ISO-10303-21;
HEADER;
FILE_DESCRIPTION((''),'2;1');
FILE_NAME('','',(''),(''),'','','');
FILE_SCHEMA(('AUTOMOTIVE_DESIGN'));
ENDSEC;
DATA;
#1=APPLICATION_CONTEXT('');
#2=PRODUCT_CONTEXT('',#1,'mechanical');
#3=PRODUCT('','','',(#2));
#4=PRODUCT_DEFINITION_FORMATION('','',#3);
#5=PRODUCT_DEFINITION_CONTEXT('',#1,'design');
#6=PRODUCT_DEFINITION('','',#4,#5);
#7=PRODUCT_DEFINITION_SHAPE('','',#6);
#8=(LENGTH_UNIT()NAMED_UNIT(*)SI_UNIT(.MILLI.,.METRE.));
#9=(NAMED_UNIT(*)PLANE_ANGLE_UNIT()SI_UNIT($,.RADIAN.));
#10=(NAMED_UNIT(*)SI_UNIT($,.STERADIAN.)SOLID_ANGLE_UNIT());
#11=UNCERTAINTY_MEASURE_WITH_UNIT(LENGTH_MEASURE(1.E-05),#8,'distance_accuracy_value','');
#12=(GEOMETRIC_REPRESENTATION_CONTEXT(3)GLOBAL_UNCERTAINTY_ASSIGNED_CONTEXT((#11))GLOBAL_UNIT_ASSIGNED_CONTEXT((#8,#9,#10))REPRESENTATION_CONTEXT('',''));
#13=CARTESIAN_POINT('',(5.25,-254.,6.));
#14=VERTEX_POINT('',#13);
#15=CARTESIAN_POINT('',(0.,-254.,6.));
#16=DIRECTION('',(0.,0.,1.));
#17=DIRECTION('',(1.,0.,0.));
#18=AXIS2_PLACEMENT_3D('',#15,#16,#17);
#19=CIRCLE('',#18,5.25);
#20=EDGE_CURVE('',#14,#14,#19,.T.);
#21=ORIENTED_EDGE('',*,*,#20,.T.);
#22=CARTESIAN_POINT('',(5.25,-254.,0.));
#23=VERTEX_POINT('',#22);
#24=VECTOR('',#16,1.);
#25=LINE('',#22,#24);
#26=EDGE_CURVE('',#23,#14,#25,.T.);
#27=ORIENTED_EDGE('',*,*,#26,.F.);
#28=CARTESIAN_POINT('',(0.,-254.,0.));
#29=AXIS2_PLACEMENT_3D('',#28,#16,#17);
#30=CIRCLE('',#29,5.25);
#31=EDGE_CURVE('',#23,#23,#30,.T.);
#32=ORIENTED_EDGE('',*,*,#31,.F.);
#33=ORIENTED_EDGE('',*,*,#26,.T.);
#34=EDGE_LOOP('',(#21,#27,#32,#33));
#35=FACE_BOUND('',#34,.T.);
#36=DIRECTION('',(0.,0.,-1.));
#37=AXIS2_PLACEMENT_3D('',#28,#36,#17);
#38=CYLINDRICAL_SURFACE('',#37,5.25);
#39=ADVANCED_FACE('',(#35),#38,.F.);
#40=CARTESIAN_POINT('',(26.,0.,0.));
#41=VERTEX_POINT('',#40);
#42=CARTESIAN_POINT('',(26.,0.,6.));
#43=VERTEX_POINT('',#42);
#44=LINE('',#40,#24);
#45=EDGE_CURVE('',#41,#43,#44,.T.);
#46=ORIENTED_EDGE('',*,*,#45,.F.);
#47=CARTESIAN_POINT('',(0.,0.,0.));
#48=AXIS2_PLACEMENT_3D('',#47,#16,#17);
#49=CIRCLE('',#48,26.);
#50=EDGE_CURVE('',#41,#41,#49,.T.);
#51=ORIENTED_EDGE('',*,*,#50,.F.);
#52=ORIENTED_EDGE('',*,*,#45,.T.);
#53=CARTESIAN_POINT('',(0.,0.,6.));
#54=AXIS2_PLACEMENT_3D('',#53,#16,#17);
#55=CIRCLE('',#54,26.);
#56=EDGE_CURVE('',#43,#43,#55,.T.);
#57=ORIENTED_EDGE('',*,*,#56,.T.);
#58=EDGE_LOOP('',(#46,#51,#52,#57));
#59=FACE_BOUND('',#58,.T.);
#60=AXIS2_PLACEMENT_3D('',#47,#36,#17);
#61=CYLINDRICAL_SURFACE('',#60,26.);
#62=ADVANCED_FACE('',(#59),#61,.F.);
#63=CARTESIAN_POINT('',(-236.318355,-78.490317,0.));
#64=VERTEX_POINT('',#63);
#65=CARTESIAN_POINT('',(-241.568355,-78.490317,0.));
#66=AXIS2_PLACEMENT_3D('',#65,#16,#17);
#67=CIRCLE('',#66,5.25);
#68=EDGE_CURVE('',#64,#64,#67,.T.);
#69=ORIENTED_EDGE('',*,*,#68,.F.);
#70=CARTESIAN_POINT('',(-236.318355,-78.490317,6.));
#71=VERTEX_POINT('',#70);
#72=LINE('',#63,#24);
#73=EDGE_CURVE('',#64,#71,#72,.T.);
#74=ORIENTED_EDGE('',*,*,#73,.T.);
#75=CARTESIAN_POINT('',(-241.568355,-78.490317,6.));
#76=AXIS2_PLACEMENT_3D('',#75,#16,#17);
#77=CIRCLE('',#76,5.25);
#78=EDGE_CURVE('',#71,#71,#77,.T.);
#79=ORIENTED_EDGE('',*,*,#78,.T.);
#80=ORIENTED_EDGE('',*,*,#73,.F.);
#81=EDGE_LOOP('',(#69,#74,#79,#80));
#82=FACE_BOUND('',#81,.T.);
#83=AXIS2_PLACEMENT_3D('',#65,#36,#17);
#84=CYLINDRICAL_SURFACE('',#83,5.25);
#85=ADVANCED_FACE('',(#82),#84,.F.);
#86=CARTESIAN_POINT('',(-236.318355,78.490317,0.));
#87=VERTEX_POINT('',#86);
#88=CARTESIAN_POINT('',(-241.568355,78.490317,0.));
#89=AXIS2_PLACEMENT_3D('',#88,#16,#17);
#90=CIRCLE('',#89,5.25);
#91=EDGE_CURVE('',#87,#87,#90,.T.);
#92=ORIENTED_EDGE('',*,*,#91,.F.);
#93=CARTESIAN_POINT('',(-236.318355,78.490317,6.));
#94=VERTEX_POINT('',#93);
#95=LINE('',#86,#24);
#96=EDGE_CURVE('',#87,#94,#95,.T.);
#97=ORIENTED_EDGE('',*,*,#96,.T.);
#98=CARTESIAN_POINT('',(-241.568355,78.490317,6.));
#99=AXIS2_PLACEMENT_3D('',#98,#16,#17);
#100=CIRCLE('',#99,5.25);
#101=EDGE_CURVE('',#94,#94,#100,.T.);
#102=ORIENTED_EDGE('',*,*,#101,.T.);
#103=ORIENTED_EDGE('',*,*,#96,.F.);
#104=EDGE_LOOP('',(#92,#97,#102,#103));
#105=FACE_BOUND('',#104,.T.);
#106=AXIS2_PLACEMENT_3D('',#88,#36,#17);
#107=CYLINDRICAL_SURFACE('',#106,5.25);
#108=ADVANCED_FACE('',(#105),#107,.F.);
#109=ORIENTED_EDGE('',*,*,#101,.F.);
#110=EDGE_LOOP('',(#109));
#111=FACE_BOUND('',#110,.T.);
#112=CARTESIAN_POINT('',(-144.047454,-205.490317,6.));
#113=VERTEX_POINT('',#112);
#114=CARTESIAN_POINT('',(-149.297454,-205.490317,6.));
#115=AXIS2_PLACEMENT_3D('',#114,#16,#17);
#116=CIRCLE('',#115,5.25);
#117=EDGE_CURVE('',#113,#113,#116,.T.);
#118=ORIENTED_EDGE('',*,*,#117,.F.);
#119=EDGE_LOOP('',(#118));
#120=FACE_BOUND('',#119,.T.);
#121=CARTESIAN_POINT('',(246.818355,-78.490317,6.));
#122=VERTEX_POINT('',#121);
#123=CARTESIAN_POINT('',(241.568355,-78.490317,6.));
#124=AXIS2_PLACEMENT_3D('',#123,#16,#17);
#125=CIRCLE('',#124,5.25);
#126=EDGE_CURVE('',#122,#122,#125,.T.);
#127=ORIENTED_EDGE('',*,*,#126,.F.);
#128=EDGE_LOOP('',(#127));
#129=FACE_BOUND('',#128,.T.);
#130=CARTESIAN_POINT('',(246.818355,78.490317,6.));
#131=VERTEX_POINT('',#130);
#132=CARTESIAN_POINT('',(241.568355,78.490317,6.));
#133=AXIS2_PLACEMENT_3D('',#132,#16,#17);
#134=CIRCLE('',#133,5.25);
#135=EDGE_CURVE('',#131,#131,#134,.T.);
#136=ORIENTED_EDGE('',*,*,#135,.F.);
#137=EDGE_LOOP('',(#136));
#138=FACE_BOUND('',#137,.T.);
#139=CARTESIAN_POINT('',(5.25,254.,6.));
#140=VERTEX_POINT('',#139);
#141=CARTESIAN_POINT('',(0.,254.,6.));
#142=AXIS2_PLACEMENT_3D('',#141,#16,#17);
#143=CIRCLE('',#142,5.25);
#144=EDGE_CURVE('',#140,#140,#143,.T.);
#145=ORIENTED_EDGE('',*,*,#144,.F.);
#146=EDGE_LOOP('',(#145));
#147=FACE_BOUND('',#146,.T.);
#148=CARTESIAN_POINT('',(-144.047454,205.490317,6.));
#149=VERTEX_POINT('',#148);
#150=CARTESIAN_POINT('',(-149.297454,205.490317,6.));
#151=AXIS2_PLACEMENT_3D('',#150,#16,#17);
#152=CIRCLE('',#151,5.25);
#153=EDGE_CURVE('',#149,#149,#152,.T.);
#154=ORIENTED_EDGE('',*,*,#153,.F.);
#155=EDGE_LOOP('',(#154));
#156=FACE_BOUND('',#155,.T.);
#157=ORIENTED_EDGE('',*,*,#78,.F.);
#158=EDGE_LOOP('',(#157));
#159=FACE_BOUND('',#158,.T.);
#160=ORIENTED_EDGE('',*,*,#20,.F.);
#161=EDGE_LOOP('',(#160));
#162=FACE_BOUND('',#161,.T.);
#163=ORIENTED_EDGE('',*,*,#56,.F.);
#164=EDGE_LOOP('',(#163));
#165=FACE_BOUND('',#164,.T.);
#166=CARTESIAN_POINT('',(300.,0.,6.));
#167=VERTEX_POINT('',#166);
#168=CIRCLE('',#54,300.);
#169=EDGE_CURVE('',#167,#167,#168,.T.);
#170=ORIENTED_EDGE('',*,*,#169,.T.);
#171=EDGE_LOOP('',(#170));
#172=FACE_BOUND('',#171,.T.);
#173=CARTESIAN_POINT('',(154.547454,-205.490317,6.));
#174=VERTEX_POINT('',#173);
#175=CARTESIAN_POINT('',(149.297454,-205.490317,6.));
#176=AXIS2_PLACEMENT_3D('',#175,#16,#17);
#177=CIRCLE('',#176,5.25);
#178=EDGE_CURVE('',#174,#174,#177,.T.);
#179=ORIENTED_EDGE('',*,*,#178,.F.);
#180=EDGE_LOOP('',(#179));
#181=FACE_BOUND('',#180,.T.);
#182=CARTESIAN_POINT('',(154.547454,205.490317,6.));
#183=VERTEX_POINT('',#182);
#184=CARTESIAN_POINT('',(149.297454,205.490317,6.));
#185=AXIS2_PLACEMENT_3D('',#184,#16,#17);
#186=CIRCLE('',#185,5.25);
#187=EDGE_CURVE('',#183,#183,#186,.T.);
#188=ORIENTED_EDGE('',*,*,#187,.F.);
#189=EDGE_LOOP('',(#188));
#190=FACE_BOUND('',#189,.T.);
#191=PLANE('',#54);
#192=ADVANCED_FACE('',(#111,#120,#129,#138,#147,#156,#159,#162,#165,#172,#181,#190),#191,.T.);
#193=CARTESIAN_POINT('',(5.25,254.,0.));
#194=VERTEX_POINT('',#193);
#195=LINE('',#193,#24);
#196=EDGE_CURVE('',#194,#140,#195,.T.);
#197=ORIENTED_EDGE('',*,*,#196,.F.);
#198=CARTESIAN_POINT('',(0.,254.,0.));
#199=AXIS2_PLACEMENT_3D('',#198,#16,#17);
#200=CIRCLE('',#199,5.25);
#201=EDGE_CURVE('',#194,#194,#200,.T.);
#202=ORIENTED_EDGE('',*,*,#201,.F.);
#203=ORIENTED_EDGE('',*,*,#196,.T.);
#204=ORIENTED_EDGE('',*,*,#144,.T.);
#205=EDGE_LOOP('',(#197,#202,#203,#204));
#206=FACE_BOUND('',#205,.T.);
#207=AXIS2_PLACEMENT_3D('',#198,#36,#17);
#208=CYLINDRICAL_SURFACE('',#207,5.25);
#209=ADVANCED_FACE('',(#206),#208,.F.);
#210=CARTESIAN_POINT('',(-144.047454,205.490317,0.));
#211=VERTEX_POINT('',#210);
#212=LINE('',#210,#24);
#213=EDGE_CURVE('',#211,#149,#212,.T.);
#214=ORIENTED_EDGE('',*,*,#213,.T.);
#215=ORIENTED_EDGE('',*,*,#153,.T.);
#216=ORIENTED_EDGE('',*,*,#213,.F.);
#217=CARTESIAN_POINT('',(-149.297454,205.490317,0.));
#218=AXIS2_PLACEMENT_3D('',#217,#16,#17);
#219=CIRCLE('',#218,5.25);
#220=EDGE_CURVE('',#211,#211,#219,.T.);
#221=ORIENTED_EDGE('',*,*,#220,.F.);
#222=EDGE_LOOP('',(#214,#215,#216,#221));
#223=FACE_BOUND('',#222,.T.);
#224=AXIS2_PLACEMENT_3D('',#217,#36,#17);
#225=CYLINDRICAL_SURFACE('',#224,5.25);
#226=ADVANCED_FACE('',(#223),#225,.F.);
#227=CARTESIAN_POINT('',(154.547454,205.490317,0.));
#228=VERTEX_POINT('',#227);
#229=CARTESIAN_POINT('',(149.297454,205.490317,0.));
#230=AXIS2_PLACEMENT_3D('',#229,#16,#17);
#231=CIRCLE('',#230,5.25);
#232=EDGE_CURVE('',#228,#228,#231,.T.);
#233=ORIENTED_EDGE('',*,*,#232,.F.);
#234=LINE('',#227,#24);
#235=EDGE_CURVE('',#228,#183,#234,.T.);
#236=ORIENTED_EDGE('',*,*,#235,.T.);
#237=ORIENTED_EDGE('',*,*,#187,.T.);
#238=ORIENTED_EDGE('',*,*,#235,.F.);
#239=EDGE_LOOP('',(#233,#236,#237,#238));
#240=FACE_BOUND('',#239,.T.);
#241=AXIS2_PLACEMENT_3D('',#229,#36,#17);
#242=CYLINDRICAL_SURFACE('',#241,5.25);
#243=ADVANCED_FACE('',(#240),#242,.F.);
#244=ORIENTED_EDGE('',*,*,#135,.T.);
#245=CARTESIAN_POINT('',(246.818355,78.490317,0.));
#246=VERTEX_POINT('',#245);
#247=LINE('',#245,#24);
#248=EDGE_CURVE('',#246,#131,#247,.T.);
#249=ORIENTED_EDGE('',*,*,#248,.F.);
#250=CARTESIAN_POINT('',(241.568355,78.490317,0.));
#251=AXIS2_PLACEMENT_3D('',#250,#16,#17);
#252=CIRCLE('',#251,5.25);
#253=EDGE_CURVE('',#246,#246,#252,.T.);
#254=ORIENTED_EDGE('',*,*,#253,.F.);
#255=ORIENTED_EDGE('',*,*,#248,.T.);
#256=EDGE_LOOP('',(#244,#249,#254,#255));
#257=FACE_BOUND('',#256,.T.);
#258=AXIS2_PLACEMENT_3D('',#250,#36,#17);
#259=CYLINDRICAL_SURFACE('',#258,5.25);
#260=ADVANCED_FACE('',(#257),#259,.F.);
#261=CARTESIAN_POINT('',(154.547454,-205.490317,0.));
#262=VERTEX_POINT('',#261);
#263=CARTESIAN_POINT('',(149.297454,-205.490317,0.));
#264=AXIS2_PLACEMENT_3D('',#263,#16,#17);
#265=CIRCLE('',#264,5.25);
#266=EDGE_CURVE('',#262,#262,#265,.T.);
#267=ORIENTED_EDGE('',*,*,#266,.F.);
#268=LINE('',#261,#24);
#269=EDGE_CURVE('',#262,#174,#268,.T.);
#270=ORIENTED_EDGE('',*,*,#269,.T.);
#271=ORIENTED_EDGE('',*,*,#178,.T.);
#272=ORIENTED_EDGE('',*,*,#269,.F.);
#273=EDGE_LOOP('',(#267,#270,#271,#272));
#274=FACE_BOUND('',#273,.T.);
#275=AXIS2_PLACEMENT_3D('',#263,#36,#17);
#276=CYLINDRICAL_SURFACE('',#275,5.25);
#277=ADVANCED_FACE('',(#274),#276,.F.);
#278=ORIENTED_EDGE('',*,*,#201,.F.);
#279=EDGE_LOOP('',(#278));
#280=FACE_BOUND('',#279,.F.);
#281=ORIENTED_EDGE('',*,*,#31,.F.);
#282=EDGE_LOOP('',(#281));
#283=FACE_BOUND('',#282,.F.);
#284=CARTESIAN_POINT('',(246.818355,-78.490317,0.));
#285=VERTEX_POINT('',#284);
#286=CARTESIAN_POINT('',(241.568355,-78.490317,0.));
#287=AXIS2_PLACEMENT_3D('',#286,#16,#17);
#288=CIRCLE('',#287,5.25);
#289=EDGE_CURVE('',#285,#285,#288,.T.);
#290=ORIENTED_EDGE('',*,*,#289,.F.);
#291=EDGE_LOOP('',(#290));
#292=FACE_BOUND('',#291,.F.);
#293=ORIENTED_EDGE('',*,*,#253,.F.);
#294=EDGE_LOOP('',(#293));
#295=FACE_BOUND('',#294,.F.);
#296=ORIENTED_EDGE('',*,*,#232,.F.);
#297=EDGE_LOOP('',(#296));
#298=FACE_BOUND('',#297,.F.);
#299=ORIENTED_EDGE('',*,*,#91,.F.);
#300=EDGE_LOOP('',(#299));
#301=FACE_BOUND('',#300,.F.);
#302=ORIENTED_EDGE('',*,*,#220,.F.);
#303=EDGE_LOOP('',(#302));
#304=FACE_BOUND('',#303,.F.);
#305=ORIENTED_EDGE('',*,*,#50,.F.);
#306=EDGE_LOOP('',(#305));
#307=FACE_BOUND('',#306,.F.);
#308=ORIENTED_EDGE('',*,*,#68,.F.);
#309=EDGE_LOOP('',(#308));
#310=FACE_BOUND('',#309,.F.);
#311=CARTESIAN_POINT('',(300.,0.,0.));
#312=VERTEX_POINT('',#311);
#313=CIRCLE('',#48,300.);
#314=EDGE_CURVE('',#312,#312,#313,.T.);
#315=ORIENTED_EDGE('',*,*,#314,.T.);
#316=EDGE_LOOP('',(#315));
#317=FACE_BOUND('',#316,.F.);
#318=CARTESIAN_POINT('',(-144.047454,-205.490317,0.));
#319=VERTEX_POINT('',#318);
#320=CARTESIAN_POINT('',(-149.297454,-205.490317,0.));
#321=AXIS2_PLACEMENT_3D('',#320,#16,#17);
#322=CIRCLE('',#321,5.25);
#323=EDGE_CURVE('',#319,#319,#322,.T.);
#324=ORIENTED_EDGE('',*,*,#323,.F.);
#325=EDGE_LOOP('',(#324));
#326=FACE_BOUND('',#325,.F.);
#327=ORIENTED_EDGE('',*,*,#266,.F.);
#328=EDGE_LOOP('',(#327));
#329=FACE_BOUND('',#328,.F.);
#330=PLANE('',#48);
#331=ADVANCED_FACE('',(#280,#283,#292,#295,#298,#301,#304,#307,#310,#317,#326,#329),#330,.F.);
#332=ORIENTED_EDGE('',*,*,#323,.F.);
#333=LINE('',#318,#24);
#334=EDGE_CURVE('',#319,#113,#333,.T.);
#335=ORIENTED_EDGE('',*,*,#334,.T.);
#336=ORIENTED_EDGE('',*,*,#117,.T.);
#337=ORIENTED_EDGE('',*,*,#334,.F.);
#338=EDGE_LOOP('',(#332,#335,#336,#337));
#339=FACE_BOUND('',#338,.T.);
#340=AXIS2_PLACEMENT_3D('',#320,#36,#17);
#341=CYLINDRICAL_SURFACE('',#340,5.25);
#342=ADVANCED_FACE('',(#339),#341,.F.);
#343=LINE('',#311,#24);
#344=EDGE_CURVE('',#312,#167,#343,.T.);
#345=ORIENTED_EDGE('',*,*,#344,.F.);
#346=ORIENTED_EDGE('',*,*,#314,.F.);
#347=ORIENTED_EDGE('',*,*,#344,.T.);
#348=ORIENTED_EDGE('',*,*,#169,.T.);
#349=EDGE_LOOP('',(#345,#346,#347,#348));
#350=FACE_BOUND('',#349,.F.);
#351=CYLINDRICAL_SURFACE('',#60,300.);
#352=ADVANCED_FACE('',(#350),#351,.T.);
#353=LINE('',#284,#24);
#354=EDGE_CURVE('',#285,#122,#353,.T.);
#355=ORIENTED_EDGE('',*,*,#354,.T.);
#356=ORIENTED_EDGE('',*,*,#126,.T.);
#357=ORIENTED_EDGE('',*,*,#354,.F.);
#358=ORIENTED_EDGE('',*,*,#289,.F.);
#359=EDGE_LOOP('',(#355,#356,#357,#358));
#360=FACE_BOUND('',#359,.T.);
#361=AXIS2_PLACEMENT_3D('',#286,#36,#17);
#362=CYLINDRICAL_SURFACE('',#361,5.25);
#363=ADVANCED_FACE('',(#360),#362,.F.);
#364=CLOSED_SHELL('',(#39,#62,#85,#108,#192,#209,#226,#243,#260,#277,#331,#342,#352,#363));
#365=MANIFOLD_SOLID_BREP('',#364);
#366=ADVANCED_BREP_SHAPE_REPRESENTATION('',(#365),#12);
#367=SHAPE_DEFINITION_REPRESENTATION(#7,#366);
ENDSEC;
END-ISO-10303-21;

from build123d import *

# Parameters (mm, degrees)
F0_R     = 300
F0_R_2   = 5.25
F0_R_3   = 26
F1_DEPTH = 6


with BuildPart() as f1:
    # F0 (on Top) → F1 (new body)
    with BuildSketch(Plane.XY):
        Circle(F0_R)
        with Locations((-149.297454, -205.490317)):
            Circle(F0_R_2, mode=Mode.SUBTRACT)
        with Locations((-241.568355, -78.490317)):
            Circle(F0_R_2, mode=Mode.SUBTRACT)
        with Locations((0, -254)):
            Circle(F0_R_2, mode=Mode.SUBTRACT)
        with Locations((149.297454, -205.490317)):
            Circle(F0_R_2, mode=Mode.SUBTRACT)
        with Locations((241.568355, -78.490317)):
            Circle(F0_R_2, mode=Mode.SUBTRACT)
        with Locations((-241.568355, 78.490317)):
            Circle(F0_R_2, mode=Mode.SUBTRACT)
        with Locations((-149.297454, 205.490317)):
            Circle(F0_R_2, mode=Mode.SUBTRACT)
        Circle(F0_R_3, mode=Mode.SUBTRACT)
        with Locations((241.568355, 78.490317)):
            Circle(F0_R_2, mode=Mode.SUBTRACT)
        with Locations((149.297454, 205.490317)):
            Circle(F0_R_2, mode=Mode.SUBTRACT)
        with Locations((0, 254)):
            Circle(F0_R_2, mode=Mode.SUBTRACT)
    extrude(amount=F1_DEPTH)


solid = f1.part
